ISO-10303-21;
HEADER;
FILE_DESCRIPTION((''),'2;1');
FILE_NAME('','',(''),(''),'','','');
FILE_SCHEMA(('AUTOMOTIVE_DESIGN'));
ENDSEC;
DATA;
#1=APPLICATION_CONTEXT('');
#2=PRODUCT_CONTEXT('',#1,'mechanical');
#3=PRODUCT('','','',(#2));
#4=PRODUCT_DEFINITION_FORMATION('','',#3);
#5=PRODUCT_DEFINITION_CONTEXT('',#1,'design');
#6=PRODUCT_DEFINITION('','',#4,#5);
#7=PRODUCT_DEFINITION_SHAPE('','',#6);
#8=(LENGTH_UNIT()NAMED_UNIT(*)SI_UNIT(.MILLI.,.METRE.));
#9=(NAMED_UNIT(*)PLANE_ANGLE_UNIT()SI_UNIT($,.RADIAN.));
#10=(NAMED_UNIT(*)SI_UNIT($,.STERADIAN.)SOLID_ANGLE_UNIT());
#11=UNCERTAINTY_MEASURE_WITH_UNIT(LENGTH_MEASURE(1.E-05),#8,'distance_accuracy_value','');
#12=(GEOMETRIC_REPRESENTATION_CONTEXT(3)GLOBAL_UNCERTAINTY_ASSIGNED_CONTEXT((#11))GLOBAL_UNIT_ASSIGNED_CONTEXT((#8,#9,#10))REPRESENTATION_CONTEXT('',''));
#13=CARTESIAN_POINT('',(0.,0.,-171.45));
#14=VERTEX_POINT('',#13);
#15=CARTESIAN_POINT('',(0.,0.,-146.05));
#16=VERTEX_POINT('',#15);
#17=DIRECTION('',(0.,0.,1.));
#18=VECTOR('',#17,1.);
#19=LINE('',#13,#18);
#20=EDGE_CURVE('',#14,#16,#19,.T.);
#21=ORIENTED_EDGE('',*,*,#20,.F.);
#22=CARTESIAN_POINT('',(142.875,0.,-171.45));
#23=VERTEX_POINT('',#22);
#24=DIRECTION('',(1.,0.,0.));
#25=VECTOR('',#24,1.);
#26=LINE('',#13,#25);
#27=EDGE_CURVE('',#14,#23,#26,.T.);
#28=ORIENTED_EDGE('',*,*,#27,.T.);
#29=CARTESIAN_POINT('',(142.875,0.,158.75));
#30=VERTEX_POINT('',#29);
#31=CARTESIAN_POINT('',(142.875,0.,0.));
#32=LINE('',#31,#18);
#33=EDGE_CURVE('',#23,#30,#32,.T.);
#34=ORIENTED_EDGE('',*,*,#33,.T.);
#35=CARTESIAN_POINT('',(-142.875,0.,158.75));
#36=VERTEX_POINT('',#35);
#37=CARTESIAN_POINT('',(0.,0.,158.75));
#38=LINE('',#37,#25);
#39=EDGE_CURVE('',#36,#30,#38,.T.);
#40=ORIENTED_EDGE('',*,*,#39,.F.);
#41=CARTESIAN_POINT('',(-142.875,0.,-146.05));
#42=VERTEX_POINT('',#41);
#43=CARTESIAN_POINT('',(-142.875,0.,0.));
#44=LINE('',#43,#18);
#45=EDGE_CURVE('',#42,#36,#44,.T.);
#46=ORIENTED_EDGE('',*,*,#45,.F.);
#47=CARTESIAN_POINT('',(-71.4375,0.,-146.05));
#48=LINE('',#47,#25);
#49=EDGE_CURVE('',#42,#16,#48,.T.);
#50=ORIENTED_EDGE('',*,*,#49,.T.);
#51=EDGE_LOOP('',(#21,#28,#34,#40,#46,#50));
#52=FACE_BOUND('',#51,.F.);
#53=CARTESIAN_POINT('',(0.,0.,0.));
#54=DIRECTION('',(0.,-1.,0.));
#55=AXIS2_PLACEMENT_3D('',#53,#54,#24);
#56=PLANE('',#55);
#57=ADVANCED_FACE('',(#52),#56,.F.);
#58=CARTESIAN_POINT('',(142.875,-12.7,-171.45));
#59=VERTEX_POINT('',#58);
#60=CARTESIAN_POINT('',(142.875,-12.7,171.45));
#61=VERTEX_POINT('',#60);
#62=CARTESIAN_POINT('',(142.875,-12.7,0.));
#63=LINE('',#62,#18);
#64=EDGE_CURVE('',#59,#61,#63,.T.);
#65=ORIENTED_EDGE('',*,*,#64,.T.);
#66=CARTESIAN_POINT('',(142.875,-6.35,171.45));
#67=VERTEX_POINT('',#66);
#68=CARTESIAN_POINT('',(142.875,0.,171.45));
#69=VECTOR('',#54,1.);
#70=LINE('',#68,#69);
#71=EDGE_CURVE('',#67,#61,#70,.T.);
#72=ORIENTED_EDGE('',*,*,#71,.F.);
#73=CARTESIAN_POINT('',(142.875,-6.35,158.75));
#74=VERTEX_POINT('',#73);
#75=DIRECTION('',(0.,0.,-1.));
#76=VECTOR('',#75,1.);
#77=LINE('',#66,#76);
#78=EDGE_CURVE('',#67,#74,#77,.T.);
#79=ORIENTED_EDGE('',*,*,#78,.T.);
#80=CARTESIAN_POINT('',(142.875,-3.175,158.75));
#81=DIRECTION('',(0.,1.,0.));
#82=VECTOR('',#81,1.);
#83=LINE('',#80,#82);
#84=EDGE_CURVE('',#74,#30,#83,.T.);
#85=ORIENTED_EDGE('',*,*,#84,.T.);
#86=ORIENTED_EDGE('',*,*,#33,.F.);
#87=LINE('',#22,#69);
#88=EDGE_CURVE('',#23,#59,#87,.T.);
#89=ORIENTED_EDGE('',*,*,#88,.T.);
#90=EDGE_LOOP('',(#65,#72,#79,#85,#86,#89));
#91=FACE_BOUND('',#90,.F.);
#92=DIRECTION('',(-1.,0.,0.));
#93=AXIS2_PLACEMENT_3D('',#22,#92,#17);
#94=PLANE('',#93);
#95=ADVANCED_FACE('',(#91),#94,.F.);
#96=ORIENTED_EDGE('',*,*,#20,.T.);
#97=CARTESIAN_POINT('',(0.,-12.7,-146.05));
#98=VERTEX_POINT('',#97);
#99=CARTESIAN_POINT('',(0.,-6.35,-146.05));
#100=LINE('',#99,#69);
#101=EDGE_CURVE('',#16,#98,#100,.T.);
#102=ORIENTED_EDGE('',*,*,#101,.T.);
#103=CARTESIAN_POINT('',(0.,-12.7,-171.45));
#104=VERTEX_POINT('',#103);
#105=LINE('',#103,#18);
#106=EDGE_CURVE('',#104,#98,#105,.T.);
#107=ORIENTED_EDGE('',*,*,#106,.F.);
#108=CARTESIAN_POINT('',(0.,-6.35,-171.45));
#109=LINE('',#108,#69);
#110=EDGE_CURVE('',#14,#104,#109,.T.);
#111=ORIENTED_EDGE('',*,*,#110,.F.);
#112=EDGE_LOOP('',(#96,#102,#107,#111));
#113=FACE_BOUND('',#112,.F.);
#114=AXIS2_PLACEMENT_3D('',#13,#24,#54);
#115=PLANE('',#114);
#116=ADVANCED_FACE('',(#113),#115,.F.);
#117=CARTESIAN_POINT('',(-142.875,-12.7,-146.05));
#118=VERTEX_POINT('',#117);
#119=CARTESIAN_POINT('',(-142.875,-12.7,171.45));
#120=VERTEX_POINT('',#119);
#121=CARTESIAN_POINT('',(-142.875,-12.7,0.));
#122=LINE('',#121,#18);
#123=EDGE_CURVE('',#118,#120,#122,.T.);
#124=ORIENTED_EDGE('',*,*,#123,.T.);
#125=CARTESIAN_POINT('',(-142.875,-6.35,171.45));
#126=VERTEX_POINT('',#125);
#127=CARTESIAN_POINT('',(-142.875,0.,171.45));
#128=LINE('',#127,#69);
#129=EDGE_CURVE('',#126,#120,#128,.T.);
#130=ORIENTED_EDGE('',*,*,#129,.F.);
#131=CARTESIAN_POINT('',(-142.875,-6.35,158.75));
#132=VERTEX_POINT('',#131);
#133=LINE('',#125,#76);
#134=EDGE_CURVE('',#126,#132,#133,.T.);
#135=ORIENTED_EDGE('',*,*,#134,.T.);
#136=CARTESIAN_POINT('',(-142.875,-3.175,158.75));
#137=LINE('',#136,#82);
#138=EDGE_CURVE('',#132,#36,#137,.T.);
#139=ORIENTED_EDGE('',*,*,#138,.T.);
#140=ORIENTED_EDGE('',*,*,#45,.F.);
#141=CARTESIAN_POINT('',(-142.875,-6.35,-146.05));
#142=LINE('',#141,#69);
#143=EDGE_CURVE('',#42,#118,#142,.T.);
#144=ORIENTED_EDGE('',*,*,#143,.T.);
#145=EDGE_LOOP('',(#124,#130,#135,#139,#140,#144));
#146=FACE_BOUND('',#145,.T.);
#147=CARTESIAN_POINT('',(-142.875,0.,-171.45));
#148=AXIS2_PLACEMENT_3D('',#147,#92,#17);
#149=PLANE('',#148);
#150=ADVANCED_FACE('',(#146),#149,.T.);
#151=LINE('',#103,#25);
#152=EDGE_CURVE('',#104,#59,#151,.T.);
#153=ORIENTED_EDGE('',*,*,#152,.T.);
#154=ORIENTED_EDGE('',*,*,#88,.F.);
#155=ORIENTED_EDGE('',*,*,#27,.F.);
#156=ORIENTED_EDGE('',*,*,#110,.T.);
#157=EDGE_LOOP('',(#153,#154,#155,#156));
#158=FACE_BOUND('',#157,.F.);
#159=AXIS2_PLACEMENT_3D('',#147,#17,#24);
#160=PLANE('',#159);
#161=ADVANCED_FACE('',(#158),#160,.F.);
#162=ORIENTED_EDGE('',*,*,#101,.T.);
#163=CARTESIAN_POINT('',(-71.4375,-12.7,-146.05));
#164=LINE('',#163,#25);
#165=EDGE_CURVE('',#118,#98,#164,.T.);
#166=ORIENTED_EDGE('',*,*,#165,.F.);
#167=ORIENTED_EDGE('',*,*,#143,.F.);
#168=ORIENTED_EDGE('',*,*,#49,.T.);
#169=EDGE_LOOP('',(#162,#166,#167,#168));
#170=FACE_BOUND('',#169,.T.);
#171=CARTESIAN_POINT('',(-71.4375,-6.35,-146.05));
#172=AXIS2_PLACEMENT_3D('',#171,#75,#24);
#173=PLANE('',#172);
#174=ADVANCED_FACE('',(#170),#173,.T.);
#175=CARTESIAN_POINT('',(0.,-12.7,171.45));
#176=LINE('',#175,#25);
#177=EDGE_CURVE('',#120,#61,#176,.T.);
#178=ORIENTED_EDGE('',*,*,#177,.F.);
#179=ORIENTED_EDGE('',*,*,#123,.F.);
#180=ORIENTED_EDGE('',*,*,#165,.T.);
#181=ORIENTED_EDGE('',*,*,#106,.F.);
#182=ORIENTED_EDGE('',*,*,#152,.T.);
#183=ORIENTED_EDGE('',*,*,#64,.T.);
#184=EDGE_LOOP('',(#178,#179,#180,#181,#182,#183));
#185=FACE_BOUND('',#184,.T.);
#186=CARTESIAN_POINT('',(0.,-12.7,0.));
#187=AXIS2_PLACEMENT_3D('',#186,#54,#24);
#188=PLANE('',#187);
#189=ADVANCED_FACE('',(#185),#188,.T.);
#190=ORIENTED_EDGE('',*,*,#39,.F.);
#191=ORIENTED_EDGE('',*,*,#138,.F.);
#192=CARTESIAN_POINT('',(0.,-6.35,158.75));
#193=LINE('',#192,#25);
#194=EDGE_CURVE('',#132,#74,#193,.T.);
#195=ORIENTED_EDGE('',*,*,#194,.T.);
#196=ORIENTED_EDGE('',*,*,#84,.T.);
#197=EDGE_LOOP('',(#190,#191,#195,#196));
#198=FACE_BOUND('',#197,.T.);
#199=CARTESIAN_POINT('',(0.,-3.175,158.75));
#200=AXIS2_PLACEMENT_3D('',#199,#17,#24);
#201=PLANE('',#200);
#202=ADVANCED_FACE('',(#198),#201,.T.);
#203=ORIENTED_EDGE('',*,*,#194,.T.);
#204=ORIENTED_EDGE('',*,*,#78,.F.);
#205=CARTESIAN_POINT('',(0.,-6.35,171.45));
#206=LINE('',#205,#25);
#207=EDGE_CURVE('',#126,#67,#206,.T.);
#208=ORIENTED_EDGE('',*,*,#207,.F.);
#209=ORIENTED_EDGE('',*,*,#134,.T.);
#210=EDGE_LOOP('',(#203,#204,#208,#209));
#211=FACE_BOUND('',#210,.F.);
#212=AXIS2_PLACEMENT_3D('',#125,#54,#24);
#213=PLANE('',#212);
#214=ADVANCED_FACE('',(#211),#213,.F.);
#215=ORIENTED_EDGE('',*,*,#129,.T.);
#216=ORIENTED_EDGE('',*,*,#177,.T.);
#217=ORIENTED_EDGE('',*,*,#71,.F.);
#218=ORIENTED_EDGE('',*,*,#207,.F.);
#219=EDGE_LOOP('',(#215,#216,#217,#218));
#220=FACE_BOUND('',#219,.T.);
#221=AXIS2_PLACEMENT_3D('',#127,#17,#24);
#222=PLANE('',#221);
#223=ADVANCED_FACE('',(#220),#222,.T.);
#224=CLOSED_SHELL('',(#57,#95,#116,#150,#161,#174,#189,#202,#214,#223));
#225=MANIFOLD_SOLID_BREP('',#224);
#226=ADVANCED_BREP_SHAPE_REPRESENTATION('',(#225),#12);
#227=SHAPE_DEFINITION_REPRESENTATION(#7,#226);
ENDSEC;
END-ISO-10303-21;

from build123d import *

# Parameters (mm, degrees)
F0_W     = 285.75
F0_H     = 342.9
F1_DEPTH = 12.7
F2_W     = 142.875
F2_H     = 12.7
F3_DEPTH = 25.4
F4_W     = 285.75
F4_H     = 6.35
F5_DEPTH = 12.7


with BuildPart() as f1:
    # F0 (on Front) → F1 (new body)
    with BuildSketch(Plane.XZ):
        Rectangle(F0_W, F0_H)
    extrude(amount=F1_DEPTH)

    # F2 (on face) → F3 (cut)
    with BuildSketch(Plane(origin=(0, 0, -171.45), x_dir=(1, 0, 0), z_dir=(0, 0, -1))):
        with Locations((-71.4375, 6.35)):
            Rectangle(F2_W, F2_H)
    extrude(amount=-F3_DEPTH, mode=Mode.SUBTRACT)

    # F4 (on face) → F5 (cut)
    with BuildSketch(Plane.XY.offset(171.45)):
        with Locations((0, -3.175)):
            Rectangle(F4_W, F4_H)
    extrude(amount=-F5_DEPTH, mode=Mode.SUBTRACT)


solid = f1.part
